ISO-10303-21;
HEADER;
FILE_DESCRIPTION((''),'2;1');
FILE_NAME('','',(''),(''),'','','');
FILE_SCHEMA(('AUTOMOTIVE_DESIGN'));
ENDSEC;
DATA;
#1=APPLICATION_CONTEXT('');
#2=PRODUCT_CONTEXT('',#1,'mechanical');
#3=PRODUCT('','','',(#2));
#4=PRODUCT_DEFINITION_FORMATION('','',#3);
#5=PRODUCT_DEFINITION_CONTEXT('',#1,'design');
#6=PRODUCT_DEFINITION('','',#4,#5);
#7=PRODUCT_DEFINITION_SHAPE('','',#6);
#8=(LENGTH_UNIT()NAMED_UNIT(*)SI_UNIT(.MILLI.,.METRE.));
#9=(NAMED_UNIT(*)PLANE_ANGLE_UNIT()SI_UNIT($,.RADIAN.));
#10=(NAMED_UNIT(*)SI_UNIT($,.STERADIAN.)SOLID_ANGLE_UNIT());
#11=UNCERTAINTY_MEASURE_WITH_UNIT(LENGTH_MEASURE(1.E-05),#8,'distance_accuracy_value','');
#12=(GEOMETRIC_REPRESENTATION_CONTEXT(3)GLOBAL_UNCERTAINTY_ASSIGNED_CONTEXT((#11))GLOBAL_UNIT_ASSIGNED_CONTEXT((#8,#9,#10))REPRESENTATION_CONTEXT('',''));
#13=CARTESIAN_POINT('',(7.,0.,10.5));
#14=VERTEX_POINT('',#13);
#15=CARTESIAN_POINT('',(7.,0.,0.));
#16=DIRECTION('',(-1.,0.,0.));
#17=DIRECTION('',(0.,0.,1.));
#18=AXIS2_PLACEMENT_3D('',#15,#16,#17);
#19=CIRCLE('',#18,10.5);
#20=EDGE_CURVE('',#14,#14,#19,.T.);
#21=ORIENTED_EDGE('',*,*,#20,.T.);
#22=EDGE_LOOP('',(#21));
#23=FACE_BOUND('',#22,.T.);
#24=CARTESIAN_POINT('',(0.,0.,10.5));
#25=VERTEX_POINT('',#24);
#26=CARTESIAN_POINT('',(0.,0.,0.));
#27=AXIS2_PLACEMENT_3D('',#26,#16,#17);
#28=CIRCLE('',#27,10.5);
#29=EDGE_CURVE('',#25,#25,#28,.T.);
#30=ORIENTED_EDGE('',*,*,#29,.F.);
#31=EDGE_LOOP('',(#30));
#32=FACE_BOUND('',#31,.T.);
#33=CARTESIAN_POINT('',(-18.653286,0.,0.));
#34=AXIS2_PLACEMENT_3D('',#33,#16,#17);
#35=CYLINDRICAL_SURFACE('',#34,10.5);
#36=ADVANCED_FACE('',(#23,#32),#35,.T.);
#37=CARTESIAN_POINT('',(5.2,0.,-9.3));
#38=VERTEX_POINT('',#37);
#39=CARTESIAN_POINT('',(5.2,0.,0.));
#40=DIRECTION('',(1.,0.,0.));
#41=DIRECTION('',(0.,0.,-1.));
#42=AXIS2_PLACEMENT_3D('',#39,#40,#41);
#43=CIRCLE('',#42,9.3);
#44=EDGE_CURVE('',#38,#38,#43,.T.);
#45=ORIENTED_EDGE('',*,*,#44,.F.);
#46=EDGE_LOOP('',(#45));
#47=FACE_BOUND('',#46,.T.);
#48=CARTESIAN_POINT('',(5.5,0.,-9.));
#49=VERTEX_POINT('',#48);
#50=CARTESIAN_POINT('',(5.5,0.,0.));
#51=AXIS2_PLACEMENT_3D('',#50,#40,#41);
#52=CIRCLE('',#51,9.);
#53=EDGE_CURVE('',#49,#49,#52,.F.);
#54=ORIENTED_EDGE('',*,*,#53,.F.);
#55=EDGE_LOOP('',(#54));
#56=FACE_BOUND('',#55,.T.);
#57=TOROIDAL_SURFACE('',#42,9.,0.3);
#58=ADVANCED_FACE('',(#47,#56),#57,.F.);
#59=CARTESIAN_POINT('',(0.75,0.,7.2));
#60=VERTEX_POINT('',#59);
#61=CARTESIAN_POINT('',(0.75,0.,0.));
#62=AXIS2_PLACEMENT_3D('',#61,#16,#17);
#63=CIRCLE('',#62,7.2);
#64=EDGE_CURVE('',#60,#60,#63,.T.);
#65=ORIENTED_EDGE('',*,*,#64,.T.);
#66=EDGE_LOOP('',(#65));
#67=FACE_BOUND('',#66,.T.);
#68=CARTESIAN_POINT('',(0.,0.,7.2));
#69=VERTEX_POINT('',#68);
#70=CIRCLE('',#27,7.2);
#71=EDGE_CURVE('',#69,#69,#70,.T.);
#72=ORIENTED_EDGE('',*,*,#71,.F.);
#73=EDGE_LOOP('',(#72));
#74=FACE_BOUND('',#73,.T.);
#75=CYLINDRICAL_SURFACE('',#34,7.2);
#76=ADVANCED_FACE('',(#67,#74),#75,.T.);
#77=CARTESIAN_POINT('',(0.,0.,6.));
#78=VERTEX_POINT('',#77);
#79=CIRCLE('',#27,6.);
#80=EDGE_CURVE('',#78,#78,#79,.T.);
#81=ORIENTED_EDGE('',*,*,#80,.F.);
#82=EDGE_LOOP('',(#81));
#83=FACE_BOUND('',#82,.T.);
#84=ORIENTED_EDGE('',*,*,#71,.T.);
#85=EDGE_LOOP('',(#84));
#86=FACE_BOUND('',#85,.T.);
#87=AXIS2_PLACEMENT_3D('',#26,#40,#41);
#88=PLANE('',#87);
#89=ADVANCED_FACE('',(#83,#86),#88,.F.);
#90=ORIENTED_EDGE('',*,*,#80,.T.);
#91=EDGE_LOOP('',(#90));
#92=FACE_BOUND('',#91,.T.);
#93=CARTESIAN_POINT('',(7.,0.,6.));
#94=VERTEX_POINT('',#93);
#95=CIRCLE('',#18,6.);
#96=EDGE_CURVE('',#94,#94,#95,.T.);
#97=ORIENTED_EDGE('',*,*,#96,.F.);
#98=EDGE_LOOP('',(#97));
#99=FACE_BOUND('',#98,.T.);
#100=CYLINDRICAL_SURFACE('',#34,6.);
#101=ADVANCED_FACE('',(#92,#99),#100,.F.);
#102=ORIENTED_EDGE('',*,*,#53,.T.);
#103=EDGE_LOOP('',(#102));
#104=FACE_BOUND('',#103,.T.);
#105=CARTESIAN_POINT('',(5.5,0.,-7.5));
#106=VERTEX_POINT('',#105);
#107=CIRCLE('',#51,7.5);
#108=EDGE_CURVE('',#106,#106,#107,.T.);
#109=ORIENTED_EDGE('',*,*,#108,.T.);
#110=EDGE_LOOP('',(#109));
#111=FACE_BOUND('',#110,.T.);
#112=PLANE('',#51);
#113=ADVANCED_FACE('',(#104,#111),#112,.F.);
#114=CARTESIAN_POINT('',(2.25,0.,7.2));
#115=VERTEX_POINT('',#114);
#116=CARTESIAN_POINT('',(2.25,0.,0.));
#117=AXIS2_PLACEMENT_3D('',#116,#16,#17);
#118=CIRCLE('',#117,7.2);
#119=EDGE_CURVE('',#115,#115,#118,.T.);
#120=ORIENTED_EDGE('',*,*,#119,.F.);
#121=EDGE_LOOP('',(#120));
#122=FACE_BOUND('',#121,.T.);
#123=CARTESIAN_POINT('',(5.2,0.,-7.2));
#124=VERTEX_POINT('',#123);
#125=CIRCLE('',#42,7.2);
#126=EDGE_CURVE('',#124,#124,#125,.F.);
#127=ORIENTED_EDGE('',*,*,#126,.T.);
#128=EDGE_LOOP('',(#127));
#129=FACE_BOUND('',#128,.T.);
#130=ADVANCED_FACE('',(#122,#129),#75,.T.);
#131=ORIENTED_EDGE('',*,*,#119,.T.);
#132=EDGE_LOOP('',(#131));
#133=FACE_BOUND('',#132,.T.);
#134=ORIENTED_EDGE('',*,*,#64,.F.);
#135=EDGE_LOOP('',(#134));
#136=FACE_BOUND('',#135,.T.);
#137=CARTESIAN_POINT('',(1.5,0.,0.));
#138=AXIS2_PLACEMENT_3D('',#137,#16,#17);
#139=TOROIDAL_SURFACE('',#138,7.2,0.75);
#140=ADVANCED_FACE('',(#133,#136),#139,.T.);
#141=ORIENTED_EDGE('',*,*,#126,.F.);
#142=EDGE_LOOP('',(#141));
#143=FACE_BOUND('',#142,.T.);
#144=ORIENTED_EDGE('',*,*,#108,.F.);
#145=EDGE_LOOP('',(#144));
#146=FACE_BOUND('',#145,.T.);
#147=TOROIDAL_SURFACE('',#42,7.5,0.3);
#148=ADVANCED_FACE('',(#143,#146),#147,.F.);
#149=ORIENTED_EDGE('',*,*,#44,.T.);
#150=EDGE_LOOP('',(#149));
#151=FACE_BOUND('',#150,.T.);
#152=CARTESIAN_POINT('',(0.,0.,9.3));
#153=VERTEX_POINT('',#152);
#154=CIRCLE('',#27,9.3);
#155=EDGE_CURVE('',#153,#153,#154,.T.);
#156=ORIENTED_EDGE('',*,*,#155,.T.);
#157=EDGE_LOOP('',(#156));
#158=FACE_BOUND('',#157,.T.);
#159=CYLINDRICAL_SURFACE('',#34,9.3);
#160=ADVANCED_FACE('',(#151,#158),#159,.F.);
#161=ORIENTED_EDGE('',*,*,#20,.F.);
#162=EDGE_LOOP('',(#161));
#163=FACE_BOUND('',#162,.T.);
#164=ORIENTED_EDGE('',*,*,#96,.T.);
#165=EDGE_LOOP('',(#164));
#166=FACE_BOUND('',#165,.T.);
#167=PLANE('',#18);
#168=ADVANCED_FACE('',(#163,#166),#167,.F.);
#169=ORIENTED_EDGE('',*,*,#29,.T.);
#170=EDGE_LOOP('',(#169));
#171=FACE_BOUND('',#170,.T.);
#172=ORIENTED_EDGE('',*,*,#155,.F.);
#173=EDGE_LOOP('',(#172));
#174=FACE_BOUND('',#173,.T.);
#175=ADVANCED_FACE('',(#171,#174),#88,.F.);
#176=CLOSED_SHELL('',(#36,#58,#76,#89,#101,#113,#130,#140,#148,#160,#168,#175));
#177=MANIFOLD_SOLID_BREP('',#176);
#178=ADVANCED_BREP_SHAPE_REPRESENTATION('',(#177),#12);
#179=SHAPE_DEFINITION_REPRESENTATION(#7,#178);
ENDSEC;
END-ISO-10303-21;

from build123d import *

# Parameters (mm, degrees)
SKETCH_2_R = 0.75
FILLET_1_R = 0.3


with BuildPart() as part:
    # 草图2 → 旋转1 (revolve)
    with BuildSketch(Plane.XY, mode=Mode.PRIVATE) as revolve_1_sk:
        with BuildLine():
            ThreePointArc((2.25, 7.2), (1.5, 7.95), (0.75, 7.2))
            Line((0.75, 7.2), (2.25, 7.2))
        make_face()
        with BuildLine():
            Line((2.25, 7.2), (0.75, 7.2))
            ThreePointArc((0.75, 7.2), (1.5, 6.45), (2.25, 7.2))
        make_face()
        with Locations((1.5, 7.2)):
            Circle(SKETCH_2_R)
        Polygon((5.5, 7.2), (0, 7.2), (0, 6), (7, 6), (7, 10.5), (0, 10.5), (0, 9.3), (5.5, 9.3), align=None)
    revolve(revolve_1_sk.sketch.rotate(Axis((-18.653285905, 0, 0), (1, 0, 0)), 90), axis=Axis((-18.653285905, 0, 0), (1, 0, 0)))

    # 圆角1
    fillet_1_edges = [part.edges().sort_by_distance(p)[0] for p in [
        (5.5, 0, -7.2),
        (5.5, 0, -9.3),
    ]]
    fillet(fillet_1_edges, radius=FILLET_1_R)


solid = part.part
